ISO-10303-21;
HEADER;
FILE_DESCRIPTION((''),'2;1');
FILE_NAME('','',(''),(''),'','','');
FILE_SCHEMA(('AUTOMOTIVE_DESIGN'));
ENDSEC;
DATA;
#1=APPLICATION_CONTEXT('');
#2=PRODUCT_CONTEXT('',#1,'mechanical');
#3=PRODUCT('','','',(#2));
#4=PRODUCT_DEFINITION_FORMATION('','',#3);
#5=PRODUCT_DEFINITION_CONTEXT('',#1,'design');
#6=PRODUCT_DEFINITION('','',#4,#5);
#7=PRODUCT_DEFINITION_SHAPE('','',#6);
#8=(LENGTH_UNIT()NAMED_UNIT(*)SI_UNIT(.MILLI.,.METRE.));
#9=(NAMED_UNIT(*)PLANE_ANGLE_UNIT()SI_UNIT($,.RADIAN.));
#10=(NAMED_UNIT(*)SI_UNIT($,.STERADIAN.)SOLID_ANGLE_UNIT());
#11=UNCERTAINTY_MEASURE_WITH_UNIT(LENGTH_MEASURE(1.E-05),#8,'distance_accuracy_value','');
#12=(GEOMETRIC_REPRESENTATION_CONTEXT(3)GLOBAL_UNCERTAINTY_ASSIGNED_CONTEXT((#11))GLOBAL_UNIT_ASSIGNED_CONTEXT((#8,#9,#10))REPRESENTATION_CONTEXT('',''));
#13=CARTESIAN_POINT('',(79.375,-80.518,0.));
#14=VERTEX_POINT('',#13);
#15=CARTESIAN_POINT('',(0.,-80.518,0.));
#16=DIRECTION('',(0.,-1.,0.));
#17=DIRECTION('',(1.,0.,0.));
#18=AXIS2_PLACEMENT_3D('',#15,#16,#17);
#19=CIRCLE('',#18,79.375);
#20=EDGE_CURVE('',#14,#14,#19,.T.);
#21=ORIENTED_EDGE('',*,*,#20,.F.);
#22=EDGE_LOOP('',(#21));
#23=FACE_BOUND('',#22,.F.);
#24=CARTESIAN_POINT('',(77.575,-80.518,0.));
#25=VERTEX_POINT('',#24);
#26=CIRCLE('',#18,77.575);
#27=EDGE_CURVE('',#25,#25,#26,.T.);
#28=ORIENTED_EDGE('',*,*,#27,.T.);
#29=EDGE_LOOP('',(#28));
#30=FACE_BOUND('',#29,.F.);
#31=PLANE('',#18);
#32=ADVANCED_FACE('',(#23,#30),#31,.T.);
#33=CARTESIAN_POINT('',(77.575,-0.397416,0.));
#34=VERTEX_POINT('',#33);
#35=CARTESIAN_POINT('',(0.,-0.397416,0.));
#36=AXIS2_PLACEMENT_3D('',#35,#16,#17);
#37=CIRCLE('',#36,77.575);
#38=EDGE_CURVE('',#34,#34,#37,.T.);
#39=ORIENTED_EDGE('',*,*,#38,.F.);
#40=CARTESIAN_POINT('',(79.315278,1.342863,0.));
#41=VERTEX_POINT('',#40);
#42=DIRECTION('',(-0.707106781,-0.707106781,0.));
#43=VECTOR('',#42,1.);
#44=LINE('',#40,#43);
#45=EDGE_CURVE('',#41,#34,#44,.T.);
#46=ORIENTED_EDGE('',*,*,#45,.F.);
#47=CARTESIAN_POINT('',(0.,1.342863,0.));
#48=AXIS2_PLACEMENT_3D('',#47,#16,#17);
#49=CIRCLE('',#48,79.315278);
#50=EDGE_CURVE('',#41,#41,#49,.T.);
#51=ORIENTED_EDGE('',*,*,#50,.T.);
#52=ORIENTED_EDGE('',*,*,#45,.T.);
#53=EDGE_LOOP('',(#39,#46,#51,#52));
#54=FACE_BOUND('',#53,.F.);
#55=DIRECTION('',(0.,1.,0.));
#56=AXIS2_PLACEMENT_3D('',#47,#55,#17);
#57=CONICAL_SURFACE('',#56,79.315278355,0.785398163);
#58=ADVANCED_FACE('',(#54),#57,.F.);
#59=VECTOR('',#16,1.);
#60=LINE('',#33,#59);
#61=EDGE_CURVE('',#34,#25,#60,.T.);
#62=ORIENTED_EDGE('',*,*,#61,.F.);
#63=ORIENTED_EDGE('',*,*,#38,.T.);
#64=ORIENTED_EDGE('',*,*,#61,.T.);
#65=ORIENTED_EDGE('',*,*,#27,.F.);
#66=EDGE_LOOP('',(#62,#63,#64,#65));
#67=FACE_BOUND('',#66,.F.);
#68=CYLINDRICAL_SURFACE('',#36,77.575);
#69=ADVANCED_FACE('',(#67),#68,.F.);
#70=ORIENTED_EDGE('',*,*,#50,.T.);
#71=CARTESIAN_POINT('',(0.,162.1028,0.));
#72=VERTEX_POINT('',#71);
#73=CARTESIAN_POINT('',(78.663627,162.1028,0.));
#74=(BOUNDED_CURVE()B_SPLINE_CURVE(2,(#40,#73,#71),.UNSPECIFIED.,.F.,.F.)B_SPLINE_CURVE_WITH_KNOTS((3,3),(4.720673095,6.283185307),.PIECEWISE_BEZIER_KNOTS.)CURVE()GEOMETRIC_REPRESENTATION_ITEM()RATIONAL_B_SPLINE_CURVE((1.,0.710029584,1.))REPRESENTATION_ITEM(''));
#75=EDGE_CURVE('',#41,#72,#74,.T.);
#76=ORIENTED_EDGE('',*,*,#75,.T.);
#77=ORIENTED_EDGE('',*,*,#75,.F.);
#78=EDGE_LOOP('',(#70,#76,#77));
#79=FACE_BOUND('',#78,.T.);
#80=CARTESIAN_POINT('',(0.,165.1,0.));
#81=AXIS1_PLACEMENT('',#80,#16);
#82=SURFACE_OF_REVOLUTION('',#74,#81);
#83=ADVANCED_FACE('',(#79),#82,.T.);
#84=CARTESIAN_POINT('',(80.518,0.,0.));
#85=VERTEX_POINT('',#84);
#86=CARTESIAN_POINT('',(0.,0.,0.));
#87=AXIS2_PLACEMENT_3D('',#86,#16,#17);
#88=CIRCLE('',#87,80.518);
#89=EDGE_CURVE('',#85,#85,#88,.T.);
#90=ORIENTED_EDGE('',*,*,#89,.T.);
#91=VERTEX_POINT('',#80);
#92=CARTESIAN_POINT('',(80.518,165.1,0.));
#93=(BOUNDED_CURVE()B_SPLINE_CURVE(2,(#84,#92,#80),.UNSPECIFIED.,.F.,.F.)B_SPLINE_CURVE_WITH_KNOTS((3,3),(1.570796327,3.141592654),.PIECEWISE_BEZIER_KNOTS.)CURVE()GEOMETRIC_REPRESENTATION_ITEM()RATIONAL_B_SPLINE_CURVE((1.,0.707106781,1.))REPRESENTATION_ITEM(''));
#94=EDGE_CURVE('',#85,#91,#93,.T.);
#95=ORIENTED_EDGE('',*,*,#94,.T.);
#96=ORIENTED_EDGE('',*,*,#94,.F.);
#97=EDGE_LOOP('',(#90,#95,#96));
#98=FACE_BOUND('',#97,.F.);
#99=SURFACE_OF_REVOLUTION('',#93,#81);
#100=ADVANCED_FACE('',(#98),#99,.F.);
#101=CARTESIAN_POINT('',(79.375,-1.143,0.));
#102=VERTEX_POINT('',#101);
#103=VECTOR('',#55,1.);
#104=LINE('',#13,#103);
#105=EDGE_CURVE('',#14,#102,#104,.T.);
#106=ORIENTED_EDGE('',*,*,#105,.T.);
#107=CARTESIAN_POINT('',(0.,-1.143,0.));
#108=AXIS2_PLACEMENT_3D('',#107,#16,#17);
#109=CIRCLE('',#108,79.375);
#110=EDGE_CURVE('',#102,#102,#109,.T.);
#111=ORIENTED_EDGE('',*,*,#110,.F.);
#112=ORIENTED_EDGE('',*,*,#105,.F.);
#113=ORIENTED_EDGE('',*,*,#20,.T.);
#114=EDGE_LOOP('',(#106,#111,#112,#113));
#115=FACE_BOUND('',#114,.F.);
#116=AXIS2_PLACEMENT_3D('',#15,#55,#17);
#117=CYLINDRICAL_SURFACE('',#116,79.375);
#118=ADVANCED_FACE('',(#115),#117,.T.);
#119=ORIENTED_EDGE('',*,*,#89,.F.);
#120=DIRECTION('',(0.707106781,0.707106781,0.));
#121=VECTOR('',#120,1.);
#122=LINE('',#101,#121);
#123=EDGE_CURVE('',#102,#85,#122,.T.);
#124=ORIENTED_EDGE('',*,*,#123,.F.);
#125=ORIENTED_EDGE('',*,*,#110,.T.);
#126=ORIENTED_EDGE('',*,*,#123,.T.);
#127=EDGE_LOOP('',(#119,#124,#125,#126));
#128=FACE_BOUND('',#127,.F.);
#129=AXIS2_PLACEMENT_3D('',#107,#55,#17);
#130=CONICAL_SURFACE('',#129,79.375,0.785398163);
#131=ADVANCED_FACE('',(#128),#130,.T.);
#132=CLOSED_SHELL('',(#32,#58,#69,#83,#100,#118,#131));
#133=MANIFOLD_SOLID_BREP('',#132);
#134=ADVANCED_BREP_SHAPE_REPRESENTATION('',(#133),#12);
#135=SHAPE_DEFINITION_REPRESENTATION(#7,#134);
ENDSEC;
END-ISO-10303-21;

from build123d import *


with BuildPart() as part:
    # Sketch1 → Revolve1 (revolve)
    with BuildSketch(Plane.XY):
        with BuildLine():
            Line((0, 165.1), (0, 162.1028))
            add(Edge.make_bspline(
                [(79.315278355, 1.342862767), (78.663627327, 162.1028), (0, 162.1028)],
                knots=[4.720673095, 4.720673095, 4.720673095, 6.283185307, 6.283185307, 6.283185307], degree=2, weights=[1, 0.710029584, 1]))
            Line((79.315278355, 1.342862767), (77.575, -0.397415588))
            Line((77.575, -0.397415588), (77.575, -80.518))
            Line((77.575, -80.518), (79.375, -80.518))
            Line((79.375, -80.518), (79.375, -1.143))
            Line((79.375, -1.143), (80.518, 0))
            add(Edge.make_bspline(
                [(80.518, 0), (80.518, 165.1), (0, 165.1)],
                knots=[1.570796327, 1.570796327, 1.570796327, 3.141592654, 3.141592654, 3.141592654], degree=2, weights=[1, 0.707106781, 1]))
        make_face()
    revolve(axis=Axis((0, 165.1, 0), (0, -1, 0)))


solid = part.part
